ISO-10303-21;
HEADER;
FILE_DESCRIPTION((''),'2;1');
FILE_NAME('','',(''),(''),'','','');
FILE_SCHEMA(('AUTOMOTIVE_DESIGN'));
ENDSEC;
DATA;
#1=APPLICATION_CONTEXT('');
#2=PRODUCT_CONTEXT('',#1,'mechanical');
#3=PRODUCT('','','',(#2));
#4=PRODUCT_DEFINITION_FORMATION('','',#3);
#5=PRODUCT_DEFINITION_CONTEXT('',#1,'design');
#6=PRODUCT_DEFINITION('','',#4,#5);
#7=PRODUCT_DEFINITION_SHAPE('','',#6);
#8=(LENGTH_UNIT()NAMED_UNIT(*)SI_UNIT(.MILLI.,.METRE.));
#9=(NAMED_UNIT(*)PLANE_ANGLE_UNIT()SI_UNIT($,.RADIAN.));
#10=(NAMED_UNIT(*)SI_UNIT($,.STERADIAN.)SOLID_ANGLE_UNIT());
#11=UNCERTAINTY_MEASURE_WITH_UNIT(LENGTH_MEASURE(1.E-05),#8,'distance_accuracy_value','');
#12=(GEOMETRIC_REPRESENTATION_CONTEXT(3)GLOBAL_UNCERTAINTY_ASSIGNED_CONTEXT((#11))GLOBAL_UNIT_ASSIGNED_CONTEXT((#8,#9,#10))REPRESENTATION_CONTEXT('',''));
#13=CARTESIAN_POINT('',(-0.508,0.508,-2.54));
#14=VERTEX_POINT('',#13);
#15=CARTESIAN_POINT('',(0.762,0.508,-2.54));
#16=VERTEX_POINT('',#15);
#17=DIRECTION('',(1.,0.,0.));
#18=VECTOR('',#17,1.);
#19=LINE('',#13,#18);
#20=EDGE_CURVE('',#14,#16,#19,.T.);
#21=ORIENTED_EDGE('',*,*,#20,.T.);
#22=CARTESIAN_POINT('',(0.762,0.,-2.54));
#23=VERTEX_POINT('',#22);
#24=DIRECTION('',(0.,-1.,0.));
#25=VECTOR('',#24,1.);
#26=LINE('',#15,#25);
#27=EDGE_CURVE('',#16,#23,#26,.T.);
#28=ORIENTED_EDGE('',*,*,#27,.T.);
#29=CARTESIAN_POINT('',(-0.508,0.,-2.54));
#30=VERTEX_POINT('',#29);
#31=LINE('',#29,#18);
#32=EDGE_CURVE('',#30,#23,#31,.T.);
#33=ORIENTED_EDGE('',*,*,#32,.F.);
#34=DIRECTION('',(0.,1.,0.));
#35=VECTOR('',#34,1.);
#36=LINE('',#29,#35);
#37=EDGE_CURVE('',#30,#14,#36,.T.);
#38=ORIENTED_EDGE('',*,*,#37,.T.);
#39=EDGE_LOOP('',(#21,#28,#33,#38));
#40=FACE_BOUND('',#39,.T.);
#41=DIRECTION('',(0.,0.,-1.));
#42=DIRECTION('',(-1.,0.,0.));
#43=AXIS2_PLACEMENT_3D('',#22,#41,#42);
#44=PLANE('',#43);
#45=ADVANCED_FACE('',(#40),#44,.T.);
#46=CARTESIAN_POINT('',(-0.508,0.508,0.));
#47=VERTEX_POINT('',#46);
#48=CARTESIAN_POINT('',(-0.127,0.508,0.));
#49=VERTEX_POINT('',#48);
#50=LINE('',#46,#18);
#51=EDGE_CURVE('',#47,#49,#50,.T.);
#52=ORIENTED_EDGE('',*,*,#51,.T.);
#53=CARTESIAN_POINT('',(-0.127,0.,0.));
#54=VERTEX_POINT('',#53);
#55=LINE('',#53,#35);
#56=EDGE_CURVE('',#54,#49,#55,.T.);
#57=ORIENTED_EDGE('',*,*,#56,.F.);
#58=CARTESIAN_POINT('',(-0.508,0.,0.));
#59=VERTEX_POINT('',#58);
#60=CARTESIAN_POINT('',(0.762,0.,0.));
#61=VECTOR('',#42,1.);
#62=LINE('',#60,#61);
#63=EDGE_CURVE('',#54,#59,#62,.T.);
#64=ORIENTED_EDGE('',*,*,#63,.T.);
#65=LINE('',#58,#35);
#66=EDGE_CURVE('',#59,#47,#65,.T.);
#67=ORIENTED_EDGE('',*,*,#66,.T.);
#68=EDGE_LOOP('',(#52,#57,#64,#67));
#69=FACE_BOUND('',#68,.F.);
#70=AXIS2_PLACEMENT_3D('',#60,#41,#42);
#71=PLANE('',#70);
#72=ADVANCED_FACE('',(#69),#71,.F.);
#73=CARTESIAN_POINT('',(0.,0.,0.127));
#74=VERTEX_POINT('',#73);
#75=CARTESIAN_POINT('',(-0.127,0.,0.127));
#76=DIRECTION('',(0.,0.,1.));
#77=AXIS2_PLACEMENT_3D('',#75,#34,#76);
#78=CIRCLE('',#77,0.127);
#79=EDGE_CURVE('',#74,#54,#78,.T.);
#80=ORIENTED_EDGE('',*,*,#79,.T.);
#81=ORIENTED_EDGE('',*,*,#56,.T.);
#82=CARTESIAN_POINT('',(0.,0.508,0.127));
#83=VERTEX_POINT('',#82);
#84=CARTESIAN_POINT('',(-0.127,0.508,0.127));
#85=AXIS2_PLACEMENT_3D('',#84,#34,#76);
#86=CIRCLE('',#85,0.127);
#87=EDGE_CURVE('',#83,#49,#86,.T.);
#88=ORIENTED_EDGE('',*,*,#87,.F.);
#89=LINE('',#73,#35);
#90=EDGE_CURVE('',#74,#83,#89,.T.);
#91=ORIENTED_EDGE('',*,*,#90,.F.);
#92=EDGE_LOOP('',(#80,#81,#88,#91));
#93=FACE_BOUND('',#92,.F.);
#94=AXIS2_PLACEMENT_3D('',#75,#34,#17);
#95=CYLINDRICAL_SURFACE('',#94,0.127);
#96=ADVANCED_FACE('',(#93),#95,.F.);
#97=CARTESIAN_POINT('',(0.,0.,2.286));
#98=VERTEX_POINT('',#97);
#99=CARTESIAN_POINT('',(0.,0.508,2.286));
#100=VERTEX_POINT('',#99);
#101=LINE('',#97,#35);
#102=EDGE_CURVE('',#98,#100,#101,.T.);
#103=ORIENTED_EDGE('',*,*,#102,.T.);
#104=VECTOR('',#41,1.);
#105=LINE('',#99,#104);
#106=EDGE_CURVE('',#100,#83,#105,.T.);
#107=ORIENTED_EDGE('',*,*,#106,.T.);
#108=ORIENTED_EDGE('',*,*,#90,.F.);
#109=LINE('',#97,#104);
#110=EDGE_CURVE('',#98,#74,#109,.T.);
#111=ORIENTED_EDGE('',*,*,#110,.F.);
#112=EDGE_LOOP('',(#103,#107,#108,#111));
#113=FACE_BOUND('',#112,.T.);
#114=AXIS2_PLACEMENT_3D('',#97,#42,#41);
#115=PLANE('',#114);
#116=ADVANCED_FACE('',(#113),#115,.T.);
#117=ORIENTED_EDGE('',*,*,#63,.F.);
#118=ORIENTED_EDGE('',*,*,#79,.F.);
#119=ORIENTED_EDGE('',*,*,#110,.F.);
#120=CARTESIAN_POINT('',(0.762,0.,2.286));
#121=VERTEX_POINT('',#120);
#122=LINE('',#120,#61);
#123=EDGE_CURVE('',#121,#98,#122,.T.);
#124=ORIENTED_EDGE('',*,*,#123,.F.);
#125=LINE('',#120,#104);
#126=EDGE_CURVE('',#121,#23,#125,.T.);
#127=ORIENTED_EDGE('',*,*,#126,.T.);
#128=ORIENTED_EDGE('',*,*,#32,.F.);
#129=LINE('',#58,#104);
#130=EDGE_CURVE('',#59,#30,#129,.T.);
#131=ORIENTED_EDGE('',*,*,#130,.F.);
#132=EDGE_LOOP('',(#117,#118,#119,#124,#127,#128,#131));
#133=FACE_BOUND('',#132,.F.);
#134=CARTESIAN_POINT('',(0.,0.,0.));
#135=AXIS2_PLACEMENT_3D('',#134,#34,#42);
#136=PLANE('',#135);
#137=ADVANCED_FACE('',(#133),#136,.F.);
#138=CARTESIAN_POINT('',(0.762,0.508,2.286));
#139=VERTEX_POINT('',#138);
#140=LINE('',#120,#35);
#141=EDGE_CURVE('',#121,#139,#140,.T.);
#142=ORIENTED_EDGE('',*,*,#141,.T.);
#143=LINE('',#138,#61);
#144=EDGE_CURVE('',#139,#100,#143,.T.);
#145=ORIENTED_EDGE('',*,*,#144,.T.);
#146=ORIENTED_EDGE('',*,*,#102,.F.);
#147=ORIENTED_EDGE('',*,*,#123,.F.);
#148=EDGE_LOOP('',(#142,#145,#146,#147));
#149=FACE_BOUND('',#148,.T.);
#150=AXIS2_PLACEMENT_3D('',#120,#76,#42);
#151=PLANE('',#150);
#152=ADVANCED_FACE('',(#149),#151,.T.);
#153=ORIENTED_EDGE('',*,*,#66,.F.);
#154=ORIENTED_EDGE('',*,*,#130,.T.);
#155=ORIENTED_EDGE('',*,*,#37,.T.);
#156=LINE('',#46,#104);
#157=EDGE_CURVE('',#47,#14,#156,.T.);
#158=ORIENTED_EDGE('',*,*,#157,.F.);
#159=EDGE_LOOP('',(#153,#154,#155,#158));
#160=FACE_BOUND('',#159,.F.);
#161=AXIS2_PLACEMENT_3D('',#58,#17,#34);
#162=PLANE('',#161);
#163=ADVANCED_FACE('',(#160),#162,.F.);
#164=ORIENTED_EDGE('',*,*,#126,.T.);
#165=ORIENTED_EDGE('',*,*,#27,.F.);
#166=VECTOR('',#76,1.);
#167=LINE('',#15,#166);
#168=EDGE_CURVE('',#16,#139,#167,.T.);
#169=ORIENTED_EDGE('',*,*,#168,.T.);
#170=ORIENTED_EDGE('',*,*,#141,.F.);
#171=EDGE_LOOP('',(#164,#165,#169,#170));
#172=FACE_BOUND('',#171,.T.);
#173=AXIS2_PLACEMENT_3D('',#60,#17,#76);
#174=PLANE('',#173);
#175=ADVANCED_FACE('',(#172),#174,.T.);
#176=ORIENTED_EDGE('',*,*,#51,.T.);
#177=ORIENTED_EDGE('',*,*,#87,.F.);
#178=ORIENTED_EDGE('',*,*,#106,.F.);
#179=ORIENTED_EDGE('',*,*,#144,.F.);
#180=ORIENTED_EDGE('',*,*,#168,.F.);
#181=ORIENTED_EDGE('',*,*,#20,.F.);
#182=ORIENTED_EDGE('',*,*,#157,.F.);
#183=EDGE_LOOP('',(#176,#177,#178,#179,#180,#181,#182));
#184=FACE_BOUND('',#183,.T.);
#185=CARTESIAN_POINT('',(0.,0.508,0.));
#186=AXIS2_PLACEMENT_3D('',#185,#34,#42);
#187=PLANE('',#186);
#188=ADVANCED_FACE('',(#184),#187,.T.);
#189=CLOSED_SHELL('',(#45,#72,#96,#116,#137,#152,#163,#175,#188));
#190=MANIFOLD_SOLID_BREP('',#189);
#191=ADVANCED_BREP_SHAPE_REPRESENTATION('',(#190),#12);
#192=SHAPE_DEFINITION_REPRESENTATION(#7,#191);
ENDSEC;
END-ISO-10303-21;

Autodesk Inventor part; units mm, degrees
ref_plane "YZ Plane" through (0, 0, 0) normal (1, 0, 0) x (0, 1, 0)
ref_plane "XZ Plane" through (0, 0, 0) normal (0, 1, 0) x (-1, 0, 0)
ref_plane "XY Plane" through (0, 0, 0) normal (0, 0, 1) x (1, 0, 0)
sketch "Sketch1" plane through (0, 0, 0) normal (0, 1, 0) x (-1, 0, 0)
  line L0 (0, 0) -> (-0.762, 0)
  line L1 (-0.762, 0) -> (-0.762, 2.286)
  line L2 (-0.762, 2.286) -> (0, 2.286)
  line L3 (0, 2.286) -> (0, 0)
  dimension "d0" = 0.762
  dimension "d1" = 2.286
extrude "Extrusion1" add sketch "Sketch1" along normal blind 0.508
sketch "Sketch2" plane through (0.762, 0, 0) normal (0, 0, -1) x (-1, 0, 0)
  line L0 (0.762, 0) -> (0, 0) projected
  line L1 (0, 0) -> (1.27, 0)
  line L2 (1.27, 0) -> (1.27, 0.508)
  line L3 (1.27, 0.508) -> (0, 0.508)
  line L4 (0, 0.508) -> (0, 0)
  dimension "d4" = 1.27
extrude "Extrusion2" add sketch "Sketch2" along normal blind 2.54
fillet "Fillet1" radius 0.127 1 edges at (0, 0.254, 0)
properties part number "pins" material "Gold"
